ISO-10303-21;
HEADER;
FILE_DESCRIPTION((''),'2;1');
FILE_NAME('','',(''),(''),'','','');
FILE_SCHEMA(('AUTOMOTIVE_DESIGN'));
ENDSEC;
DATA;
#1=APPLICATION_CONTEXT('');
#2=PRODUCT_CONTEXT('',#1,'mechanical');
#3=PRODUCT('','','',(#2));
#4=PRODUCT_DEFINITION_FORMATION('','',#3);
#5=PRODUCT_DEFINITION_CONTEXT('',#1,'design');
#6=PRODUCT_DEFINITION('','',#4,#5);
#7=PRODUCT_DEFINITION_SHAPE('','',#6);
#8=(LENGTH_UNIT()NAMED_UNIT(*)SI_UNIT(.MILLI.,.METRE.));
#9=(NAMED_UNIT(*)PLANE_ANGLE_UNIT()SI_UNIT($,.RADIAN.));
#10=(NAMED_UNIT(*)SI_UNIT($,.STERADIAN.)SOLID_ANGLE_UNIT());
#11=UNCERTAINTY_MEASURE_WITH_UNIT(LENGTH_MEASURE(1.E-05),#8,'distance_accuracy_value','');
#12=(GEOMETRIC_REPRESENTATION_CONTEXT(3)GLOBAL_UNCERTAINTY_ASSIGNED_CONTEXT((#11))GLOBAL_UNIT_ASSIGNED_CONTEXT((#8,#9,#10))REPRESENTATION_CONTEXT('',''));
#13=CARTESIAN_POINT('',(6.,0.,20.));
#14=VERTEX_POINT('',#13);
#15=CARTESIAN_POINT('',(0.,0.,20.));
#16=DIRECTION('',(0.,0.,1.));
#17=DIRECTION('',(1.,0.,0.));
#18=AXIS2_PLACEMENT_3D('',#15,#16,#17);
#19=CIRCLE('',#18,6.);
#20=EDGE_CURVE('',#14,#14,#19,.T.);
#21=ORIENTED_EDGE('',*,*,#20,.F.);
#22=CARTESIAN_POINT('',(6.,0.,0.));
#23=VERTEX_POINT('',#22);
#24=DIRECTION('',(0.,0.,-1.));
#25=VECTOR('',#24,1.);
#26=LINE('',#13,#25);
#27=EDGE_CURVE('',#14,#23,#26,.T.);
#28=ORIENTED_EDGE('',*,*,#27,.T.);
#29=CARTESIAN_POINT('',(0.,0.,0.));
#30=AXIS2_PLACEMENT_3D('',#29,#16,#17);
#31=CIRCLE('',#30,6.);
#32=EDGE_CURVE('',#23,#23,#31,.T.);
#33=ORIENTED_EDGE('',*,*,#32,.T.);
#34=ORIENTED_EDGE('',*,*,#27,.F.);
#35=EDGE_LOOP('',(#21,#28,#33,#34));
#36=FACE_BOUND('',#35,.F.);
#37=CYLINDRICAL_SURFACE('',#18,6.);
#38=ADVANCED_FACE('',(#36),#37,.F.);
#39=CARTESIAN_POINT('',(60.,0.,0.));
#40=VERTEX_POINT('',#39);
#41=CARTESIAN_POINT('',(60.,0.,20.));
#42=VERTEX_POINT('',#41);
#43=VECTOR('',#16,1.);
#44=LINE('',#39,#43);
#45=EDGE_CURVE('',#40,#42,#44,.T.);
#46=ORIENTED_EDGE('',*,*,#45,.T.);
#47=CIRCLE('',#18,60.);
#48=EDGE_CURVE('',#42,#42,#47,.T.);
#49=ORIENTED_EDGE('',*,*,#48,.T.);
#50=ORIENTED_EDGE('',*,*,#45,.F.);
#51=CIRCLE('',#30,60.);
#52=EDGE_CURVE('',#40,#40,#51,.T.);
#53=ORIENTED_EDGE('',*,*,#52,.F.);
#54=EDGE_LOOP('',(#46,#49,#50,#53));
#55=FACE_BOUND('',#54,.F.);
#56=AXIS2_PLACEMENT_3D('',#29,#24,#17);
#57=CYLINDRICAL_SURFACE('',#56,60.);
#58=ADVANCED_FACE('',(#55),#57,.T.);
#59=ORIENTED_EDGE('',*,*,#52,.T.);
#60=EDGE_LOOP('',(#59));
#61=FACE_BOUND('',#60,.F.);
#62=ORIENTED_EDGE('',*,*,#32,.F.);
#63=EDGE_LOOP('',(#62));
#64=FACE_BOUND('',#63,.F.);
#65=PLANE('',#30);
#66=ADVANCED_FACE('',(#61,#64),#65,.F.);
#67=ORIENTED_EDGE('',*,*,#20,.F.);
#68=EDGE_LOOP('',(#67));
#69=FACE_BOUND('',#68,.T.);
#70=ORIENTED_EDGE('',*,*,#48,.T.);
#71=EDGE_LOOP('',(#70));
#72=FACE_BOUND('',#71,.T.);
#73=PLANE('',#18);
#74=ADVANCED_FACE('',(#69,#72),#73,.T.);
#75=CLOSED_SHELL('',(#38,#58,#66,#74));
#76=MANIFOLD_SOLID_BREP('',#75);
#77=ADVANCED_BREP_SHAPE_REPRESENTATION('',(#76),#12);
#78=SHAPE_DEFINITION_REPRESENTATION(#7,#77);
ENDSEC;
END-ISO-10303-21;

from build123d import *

# Parameters (mm, degrees)
SKETCH1_R           = 60
BOSS_EXTRUDE2_DEPTH = 20
SKETCH2_R           = 6
CUT_EXTRUDE1_DEPTH  = 21


with BuildPart() as part:
    # Sketch1 → Boss-Extrude2 (new body)
    with BuildSketch(Plane.XY):
        Circle(SKETCH1_R)
    extrude(amount=BOSS_EXTRUDE2_DEPTH)

    # Sketch2 → Cut-Extrude1 (cut, through all)
    with BuildSketch(Plane.XY.offset(20)):
        Circle(SKETCH2_R)
    extrude(amount=-CUT_EXTRUDE1_DEPTH, mode=Mode.SUBTRACT)


solid = part.part
